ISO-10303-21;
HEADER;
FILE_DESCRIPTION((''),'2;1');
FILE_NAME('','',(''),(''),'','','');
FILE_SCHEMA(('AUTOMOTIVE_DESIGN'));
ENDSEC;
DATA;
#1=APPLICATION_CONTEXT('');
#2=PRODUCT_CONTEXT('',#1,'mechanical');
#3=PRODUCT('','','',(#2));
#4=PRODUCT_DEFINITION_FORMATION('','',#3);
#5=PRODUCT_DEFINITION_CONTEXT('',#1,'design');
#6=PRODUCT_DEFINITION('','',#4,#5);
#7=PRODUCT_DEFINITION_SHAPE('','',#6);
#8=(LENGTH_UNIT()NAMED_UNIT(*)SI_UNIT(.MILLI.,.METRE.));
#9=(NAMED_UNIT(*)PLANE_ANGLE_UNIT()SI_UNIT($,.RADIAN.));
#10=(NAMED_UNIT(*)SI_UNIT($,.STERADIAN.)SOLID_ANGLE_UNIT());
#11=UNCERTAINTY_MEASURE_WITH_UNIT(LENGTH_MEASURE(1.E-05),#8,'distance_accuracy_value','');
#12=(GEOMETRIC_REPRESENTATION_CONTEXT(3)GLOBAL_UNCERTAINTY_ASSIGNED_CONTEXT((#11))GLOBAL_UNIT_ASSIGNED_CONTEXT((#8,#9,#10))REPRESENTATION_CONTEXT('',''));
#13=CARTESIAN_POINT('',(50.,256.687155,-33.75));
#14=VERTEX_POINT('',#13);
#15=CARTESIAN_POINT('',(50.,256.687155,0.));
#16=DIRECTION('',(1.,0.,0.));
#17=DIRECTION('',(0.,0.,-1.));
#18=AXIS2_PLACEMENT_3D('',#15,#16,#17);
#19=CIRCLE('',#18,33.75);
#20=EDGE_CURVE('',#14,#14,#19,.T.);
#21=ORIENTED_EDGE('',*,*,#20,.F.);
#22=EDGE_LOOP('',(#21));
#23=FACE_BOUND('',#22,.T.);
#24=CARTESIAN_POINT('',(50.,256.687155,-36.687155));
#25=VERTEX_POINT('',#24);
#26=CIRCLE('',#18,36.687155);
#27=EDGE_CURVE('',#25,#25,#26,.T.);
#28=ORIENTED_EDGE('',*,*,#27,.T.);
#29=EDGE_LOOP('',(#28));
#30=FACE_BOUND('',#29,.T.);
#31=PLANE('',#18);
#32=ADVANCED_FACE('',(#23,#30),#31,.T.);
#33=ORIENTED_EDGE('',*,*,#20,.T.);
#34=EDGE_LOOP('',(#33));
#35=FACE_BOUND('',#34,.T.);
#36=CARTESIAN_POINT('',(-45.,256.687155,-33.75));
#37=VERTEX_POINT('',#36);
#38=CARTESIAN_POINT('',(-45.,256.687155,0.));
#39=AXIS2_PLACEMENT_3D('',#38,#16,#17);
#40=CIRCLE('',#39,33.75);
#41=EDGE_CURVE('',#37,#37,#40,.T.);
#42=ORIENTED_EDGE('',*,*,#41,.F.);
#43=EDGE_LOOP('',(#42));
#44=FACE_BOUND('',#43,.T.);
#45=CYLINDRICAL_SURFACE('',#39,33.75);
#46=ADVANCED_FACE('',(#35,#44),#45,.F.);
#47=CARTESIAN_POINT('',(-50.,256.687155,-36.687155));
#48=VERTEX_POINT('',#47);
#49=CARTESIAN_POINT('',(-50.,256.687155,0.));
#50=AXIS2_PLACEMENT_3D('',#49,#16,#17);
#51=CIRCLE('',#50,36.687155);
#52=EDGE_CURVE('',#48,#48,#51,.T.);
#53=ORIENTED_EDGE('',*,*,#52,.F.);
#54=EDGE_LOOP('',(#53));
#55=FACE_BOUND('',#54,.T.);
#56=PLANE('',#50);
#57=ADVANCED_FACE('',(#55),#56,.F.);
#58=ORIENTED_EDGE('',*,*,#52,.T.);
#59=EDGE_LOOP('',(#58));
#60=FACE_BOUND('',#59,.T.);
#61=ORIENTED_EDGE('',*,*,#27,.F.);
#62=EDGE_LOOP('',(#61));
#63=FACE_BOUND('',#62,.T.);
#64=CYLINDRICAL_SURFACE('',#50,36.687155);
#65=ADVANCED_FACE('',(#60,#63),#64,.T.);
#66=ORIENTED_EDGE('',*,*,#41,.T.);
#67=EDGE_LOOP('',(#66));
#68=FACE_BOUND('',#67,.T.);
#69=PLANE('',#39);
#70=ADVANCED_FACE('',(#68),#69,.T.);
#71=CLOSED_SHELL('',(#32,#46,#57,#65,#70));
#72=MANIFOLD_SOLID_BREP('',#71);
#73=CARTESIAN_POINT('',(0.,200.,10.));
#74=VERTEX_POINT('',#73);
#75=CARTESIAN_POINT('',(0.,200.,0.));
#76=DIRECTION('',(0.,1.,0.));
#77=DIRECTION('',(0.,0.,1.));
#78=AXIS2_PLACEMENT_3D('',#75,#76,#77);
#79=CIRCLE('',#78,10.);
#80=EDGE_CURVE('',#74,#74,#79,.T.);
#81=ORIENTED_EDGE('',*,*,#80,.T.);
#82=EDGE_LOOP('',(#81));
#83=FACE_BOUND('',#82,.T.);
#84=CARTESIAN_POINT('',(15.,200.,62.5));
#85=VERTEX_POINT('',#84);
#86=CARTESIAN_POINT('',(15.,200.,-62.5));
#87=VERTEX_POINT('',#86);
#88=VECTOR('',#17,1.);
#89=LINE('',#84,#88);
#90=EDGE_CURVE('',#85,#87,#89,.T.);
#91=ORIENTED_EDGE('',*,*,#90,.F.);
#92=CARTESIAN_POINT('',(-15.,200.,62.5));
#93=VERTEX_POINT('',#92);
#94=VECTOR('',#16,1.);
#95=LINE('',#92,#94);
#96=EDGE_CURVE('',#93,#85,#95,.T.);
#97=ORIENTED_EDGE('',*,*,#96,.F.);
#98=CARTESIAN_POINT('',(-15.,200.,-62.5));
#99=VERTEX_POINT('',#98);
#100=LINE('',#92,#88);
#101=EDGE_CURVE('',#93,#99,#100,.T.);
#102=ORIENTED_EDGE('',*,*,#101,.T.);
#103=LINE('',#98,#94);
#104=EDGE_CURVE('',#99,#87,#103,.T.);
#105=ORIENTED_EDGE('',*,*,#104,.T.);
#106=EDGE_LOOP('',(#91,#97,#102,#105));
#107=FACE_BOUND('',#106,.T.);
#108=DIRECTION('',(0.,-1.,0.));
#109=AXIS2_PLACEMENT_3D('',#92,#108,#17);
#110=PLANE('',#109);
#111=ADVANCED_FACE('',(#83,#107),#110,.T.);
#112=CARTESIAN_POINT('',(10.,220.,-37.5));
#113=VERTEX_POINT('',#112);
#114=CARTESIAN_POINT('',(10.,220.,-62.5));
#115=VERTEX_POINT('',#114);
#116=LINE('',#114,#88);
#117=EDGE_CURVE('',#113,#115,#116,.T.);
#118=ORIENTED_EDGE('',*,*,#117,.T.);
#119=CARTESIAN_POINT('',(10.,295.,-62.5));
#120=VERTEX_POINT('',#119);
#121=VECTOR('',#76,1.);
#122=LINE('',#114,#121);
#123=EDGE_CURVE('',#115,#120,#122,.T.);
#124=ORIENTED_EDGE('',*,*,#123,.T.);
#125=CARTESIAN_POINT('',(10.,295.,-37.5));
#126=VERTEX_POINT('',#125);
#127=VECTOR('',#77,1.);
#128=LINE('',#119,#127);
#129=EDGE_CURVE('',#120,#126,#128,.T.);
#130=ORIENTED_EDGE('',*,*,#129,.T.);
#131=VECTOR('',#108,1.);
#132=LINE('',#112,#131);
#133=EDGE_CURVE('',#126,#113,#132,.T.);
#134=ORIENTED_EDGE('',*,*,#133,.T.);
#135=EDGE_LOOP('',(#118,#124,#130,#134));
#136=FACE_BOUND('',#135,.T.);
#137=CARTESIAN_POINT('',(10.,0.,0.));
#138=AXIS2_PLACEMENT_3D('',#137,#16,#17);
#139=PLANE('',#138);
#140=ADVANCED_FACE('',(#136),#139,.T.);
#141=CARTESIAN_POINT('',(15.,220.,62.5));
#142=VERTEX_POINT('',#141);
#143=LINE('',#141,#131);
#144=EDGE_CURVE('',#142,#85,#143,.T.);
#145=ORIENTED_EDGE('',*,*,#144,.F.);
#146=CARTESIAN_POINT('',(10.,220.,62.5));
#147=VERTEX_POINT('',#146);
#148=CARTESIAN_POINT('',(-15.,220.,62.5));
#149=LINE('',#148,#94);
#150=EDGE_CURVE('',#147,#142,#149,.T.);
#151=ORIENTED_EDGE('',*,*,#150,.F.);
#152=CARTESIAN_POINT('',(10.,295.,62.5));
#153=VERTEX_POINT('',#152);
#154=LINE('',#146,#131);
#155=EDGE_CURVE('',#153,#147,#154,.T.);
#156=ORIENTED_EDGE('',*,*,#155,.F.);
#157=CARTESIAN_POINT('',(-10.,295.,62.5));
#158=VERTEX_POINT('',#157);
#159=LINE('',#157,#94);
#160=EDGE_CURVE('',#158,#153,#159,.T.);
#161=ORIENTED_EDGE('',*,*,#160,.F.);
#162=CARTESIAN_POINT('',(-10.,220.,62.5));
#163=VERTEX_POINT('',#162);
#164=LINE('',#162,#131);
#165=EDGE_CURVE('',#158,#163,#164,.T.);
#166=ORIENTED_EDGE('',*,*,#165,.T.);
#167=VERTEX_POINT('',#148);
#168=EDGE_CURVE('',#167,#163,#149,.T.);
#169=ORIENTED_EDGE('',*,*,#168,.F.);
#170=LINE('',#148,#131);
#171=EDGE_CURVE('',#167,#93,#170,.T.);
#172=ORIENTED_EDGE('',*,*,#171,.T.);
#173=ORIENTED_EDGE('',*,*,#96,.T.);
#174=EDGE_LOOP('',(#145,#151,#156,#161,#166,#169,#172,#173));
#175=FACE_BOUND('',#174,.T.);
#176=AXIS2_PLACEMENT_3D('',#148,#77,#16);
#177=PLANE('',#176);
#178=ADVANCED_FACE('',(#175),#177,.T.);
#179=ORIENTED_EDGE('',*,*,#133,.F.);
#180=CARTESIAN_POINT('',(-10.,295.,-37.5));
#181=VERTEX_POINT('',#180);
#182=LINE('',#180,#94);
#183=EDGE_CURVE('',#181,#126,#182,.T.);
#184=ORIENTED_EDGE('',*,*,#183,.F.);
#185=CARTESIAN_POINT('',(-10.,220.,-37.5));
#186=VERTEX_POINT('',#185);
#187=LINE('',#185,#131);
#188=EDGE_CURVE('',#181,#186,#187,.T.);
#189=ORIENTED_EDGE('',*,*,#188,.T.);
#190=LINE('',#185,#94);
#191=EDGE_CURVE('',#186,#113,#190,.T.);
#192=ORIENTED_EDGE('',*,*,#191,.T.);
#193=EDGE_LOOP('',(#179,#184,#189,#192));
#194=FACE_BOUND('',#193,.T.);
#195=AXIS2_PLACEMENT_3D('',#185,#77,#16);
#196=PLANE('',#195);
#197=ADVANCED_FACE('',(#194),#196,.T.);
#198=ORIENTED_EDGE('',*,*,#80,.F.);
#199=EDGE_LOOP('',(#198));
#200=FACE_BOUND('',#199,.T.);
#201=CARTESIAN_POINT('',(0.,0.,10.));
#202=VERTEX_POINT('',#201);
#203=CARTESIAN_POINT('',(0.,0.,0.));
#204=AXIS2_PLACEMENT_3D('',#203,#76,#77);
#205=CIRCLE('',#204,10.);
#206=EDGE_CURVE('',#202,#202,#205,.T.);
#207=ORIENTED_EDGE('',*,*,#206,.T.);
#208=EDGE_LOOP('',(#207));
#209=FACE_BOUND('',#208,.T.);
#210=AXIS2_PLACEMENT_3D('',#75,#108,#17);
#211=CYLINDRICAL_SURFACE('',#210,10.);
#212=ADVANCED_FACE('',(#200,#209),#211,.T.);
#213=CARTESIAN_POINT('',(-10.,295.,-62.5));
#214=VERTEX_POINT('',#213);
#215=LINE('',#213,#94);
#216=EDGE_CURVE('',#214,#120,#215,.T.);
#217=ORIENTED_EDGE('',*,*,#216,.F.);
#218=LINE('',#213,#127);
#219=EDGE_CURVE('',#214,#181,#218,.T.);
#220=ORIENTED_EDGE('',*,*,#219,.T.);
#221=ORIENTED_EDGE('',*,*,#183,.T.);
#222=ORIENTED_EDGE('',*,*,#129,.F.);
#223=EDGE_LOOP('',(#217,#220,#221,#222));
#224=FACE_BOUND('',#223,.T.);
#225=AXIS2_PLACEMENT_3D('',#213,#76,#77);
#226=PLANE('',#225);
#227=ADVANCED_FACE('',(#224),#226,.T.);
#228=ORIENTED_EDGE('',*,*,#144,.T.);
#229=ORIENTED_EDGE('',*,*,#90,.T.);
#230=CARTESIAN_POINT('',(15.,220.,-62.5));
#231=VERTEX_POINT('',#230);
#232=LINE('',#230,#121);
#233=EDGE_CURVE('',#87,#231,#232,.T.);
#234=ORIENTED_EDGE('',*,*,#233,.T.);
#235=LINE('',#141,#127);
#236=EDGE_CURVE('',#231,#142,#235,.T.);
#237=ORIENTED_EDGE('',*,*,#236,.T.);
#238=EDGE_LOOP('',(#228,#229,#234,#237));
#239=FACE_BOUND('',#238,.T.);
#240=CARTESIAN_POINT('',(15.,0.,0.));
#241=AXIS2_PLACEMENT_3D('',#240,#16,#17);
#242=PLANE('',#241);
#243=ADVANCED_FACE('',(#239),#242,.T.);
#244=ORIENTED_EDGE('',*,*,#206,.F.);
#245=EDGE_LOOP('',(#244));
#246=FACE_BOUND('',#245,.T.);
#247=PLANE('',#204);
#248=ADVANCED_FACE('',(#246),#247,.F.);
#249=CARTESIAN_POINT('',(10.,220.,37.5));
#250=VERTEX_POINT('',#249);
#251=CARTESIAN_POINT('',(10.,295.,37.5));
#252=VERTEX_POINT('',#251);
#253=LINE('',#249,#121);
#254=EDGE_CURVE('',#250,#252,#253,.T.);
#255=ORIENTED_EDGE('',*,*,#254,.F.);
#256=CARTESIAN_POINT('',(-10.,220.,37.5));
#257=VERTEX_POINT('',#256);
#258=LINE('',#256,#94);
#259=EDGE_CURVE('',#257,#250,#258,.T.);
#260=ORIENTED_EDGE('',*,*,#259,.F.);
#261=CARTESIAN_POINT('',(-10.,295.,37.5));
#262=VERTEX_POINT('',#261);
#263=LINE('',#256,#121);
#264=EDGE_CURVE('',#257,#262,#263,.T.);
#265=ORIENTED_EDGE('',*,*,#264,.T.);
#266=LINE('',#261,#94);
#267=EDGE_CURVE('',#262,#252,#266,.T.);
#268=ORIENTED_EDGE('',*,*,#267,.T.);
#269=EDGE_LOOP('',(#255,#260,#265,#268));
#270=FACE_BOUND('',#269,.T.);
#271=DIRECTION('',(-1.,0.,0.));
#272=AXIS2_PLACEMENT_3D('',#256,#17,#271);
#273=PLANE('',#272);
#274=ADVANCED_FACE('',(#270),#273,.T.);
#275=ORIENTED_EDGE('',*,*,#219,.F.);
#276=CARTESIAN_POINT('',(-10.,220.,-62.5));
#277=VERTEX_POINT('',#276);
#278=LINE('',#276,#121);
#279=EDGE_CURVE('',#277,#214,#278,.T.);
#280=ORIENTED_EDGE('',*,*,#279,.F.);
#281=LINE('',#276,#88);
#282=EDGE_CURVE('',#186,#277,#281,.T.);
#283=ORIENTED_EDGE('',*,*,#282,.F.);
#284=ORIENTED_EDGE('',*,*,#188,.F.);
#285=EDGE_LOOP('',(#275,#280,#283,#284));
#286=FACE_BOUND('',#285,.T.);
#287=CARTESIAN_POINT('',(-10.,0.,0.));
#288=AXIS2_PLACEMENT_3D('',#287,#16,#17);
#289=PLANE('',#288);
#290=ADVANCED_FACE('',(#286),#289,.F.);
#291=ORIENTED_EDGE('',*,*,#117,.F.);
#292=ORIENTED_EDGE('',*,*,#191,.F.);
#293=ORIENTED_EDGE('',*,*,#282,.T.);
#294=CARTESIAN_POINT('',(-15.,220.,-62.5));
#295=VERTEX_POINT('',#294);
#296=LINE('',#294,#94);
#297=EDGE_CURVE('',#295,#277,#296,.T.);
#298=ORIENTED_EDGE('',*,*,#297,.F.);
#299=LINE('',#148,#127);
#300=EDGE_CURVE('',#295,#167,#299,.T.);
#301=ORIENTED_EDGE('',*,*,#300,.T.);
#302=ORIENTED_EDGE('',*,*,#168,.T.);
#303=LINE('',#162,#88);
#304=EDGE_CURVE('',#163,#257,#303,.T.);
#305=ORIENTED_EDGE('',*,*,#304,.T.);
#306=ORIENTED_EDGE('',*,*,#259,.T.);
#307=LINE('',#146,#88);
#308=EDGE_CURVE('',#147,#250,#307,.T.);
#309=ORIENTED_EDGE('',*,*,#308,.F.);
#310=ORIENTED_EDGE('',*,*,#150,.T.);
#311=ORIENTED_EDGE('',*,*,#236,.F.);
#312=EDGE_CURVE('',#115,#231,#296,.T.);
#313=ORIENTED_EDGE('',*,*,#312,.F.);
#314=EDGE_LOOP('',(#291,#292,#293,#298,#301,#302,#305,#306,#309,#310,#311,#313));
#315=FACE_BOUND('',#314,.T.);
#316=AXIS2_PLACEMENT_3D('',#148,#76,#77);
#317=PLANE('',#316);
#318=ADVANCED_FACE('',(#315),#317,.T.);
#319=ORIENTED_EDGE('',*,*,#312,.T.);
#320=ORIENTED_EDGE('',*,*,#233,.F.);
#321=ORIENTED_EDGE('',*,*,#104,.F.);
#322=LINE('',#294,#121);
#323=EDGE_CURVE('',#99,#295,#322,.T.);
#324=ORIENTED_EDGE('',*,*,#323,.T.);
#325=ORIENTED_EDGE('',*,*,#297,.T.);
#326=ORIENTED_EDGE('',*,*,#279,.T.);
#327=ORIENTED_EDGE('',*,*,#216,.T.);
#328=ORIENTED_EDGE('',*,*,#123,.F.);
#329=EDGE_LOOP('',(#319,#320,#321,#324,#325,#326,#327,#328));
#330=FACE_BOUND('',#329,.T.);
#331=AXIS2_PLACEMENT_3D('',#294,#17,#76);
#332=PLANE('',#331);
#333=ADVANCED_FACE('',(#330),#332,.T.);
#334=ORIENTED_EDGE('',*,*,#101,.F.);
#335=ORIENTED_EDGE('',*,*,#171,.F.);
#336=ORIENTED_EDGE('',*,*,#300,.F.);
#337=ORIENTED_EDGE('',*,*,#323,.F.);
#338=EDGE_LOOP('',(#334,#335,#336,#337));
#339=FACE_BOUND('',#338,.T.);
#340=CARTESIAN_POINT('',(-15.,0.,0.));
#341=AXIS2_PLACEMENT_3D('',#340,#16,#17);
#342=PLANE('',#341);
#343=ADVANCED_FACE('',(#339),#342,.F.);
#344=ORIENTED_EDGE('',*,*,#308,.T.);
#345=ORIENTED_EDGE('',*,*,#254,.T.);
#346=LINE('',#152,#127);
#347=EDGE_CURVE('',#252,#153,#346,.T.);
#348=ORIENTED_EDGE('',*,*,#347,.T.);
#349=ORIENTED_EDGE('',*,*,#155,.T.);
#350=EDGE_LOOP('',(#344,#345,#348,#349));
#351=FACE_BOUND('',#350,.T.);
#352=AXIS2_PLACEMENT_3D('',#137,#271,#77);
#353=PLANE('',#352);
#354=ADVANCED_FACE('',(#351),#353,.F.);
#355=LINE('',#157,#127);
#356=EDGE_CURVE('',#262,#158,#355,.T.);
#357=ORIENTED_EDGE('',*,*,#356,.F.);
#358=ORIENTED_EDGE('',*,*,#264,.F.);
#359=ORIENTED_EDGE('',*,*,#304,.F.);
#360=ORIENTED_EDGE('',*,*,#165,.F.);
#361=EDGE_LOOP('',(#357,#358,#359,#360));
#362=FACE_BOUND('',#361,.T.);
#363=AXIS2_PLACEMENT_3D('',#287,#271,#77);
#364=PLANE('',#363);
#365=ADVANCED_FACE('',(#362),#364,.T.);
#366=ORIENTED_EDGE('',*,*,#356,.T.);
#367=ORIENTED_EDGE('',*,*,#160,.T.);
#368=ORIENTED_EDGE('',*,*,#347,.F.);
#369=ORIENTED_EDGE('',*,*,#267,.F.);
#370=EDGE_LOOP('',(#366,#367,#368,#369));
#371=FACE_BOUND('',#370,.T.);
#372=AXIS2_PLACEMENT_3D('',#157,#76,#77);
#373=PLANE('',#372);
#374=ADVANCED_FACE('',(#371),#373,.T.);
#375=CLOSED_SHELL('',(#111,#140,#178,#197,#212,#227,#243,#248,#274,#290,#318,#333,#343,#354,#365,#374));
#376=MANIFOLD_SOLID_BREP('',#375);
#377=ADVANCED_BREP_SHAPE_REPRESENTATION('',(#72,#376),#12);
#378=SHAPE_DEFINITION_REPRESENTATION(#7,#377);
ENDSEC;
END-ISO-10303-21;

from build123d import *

# Parameters (mm, degrees)
SKETCH1_R                = 10
BOSS_EXTRUDE1_DEPTH      = 200
BOSS_EXTRUDE2_DEPTH      = 15
BOSS_EXTRUDE2_DEPTH_BACK = 15
SKETCH2_W                = 125
SKETCH2_H                = 20
BOSS_EXTRUDE3_DEPTH      = 10
BOSS_EXTRUDE3_DEPTH_BACK = 10
SKETCH3_W                = 25
SKETCH3_H                = 75
BOSS_EXTRUDE4_DEPTH      = 50
BOSS_EXTRUDE4_DEPTH_BACK = 50
SKETCH4_R                = 36.687155129
SKETCH5_R                = 33.75
CUT_EXTRUDE2_DEPTH       = 95


with BuildPart() as part:
    # Sketch1 → Boss-Extrude1 (new body)
    with BuildSketch(Plane(origin=(0, 0, 0), x_dir=(1, 0, 0), z_dir=(0, 1, 0))):
        Circle(SKETCH1_R)
    extrude(amount=BOSS_EXTRUDE1_DEPTH)

    # Sketch2 → Boss-Extrude2 (add, two sides: drawn at the far end of the back side and taken through both)
    with BuildSketch(Plane(origin=(0, 0, 0), x_dir=(0, 0, -1), z_dir=(1, 0, 0)).offset(-BOSS_EXTRUDE2_DEPTH_BACK)):
        with Locations((0, 210)):
            Rectangle(SKETCH2_W, SKETCH2_H)
    extrude(amount=BOSS_EXTRUDE2_DEPTH + BOSS_EXTRUDE2_DEPTH_BACK)

    # Sketch3 → Boss-Extrude3 (add, two sides: drawn at the far end of the back side and taken through both)
    with BuildSketch(Plane(origin=(0, 0, 0), x_dir=(0, 0, -1), z_dir=(1, 0, 0)).offset(-BOSS_EXTRUDE3_DEPTH_BACK)):
        with Locations((-50, 257.5)):
            Rectangle(SKETCH3_W, SKETCH3_H)
        with Locations((50, 257.5)):
            Rectangle(SKETCH3_W, SKETCH3_H)
    extrude(amount=BOSS_EXTRUDE3_DEPTH + BOSS_EXTRUDE3_DEPTH_BACK)


with BuildPart() as body_2:
    # Sketch4 → Boss-Extrude4 (new, two sides: drawn at the far end of the back side and taken through both)
    with BuildSketch(Plane(origin=(0, 0, 0), x_dir=(0, 0, -1), z_dir=(1, 0, 0)).offset(-BOSS_EXTRUDE4_DEPTH_BACK)):
        with Locations((0, 256.687155129)):
            Circle(SKETCH4_R)
    extrude(amount=BOSS_EXTRUDE4_DEPTH + BOSS_EXTRUDE4_DEPTH_BACK)

    # Sketch5 → Cut-Extrude2 (cut)
    with BuildSketch(Plane(origin=(50, 0, 0), x_dir=(0, 0, -1), z_dir=(1, 0, 0))):
        with Locations((0, 256.687155129)):
            Circle(SKETCH5_R)
    extrude(amount=-CUT_EXTRUDE2_DEPTH, mode=Mode.SUBTRACT)


solid = Compound([part.part, body_2.part])
